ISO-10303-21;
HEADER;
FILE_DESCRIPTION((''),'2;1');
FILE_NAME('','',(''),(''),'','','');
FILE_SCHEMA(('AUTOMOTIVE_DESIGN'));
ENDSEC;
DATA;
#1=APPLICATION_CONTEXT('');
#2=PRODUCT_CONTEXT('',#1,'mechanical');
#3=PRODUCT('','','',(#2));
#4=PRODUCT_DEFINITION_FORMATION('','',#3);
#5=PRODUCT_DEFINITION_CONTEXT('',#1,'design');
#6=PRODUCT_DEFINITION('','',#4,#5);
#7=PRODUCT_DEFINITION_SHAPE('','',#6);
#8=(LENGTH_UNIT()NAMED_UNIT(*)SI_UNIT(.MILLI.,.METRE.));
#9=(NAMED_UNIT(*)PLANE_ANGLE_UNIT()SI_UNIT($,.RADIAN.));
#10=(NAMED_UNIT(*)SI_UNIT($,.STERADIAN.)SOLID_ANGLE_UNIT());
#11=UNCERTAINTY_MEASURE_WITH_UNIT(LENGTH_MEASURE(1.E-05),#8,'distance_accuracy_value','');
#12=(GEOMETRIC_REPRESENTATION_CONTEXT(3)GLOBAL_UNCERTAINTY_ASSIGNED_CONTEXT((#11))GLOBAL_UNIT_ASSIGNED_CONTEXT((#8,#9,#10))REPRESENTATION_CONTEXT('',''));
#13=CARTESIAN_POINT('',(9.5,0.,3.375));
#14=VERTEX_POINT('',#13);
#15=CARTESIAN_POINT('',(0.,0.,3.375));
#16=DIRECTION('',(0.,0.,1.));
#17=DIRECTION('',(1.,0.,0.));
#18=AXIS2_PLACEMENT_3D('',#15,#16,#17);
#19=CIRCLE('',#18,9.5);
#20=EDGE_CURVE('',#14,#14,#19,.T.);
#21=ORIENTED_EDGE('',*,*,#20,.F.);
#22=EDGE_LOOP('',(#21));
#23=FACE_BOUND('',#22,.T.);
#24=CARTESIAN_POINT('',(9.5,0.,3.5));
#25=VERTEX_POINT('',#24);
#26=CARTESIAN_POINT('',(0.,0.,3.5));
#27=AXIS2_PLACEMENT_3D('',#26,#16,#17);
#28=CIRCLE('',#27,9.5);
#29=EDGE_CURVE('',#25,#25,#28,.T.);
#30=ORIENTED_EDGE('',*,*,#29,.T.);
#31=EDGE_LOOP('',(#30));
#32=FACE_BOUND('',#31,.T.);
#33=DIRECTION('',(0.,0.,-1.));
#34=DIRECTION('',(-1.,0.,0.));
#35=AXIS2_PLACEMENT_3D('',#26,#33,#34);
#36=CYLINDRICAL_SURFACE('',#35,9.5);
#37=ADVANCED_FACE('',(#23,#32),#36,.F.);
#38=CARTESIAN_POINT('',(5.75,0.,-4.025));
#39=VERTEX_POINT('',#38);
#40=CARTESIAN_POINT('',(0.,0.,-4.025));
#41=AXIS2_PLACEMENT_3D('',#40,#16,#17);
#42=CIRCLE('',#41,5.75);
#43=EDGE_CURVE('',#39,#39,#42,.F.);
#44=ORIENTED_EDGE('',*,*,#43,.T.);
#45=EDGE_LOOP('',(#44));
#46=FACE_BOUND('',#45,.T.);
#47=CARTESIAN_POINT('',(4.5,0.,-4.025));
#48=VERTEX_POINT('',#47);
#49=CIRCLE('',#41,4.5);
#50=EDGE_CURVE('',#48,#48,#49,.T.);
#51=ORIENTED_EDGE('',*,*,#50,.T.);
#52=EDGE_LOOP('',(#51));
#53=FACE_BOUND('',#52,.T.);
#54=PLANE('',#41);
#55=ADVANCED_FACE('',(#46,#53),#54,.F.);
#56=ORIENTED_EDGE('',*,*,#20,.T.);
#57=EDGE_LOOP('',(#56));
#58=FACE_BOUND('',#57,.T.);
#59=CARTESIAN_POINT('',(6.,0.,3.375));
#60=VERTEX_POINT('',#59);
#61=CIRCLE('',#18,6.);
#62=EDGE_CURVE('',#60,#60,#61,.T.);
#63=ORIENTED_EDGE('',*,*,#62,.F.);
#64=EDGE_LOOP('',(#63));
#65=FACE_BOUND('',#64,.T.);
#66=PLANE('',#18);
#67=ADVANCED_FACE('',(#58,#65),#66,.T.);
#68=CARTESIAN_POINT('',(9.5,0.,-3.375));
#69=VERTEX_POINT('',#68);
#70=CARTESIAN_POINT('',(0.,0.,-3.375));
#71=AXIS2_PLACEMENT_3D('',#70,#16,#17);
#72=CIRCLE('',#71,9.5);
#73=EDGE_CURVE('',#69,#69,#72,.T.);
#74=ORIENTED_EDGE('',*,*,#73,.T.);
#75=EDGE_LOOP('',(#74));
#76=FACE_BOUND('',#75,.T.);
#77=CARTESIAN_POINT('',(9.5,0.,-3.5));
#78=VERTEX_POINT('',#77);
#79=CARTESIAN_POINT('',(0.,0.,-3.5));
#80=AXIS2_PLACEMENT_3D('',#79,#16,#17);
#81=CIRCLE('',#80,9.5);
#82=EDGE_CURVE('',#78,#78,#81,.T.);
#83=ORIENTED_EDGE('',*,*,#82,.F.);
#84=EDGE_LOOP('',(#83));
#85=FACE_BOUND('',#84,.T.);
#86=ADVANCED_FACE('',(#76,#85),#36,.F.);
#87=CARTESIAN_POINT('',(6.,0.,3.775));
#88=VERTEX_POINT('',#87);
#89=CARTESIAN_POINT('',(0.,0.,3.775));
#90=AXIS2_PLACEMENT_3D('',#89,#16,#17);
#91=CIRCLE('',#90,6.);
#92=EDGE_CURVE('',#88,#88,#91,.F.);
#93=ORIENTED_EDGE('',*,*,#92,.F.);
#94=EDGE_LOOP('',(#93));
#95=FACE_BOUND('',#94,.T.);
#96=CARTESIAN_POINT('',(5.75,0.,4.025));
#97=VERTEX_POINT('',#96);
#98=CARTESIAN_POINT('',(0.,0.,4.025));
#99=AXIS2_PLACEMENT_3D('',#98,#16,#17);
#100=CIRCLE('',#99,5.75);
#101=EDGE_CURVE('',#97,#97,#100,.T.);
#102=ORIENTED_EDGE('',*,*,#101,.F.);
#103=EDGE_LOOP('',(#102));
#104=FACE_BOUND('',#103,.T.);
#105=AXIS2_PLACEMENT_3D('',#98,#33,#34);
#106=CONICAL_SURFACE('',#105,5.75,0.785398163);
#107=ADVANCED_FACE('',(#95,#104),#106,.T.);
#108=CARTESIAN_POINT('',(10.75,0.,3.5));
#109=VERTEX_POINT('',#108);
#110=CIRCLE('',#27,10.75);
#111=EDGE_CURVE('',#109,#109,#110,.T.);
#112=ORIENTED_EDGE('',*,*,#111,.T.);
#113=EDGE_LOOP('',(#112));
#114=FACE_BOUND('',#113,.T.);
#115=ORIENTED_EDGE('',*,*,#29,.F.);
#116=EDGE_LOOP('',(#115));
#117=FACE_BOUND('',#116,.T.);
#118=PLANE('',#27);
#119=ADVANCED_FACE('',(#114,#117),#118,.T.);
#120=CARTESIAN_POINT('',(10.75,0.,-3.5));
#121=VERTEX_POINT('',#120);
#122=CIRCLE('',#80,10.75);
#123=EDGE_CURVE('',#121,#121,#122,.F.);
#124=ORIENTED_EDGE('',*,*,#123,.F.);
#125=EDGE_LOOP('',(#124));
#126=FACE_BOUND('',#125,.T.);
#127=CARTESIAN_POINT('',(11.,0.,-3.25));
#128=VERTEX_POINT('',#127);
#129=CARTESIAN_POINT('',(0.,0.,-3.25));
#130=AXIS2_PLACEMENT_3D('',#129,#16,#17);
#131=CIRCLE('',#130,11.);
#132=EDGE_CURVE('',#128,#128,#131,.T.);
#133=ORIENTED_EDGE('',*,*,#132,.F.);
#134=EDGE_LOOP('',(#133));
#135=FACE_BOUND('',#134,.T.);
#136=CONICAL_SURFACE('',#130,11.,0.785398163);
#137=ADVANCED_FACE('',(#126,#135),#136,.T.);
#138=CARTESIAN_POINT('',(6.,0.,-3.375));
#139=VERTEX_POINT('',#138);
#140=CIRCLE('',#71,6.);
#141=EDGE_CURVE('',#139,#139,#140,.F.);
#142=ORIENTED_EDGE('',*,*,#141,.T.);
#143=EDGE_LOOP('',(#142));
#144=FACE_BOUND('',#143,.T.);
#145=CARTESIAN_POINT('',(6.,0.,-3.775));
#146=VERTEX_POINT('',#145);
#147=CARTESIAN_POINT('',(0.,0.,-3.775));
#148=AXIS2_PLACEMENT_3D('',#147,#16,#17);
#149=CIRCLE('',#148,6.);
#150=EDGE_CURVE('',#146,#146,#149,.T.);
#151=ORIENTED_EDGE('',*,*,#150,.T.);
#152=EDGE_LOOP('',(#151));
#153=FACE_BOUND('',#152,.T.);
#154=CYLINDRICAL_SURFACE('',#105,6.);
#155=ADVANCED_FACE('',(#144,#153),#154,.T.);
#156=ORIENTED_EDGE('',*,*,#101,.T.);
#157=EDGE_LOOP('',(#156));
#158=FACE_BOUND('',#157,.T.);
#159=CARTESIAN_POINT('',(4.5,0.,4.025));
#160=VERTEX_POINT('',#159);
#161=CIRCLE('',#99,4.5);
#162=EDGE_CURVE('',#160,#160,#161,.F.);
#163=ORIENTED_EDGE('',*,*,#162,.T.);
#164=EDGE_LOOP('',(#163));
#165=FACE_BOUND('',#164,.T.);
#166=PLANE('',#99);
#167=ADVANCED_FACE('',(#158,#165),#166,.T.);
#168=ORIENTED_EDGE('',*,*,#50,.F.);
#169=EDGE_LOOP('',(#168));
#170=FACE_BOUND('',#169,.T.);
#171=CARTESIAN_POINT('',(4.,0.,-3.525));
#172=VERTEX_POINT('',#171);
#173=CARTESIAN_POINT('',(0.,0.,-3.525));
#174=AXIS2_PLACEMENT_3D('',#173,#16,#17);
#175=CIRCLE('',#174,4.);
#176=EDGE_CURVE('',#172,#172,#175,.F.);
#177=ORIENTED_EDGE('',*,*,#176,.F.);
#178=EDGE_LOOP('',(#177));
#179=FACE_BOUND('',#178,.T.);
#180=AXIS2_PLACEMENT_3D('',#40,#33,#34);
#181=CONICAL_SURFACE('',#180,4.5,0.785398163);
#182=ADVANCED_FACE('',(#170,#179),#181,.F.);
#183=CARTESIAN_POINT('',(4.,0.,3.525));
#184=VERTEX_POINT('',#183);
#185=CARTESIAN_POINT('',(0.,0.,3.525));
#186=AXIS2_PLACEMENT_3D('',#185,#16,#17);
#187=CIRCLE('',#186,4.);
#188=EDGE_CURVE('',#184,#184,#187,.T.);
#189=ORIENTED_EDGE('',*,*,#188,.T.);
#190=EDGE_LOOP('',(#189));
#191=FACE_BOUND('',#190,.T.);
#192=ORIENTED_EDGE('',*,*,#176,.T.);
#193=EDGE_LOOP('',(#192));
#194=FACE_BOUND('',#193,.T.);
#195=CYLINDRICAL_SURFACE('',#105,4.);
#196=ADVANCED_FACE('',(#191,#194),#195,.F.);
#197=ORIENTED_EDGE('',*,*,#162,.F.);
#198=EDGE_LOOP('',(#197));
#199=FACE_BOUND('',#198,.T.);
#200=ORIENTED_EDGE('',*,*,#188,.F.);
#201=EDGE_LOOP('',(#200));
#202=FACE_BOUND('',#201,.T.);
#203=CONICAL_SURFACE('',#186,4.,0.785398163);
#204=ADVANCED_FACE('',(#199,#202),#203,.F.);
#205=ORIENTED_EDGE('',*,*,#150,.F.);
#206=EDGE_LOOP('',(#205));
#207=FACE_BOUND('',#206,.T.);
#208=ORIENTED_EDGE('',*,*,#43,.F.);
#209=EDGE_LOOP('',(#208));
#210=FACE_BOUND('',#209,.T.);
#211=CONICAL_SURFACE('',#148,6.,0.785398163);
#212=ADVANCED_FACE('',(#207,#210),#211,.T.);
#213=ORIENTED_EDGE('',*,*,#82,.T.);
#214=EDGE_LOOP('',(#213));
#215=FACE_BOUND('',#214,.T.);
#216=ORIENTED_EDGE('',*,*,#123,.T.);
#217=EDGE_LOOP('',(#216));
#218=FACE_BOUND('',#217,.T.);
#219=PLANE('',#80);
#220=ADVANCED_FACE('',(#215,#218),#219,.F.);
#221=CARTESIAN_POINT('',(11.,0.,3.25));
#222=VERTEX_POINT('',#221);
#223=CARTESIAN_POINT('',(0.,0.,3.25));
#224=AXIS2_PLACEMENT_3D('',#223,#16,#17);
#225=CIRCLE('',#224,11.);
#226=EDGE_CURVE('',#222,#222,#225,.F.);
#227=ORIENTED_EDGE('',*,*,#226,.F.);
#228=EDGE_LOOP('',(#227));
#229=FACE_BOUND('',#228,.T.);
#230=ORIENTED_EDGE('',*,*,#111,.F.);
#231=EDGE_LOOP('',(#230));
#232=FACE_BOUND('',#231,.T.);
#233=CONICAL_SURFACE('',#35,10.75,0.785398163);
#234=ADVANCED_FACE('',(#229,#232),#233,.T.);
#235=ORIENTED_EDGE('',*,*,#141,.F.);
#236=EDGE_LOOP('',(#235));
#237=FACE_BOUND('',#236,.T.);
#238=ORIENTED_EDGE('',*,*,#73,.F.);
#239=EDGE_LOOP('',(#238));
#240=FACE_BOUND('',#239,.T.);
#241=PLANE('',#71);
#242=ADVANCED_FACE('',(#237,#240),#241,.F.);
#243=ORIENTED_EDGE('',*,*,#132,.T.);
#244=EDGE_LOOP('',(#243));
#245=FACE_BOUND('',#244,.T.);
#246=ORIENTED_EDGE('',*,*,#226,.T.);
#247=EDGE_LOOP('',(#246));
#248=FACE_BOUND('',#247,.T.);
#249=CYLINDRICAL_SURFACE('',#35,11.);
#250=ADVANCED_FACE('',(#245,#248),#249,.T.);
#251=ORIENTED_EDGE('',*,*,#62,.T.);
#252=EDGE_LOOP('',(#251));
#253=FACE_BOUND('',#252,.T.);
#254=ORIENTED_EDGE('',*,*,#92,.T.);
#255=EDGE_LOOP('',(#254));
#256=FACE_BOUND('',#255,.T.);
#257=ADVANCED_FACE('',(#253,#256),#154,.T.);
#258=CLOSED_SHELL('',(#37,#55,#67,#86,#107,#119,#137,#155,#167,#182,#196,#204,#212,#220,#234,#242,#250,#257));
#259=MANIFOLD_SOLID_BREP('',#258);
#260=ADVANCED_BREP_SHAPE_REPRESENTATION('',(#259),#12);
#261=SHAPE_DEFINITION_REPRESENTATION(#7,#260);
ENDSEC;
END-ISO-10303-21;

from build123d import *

# Parameters (mm, degrees)
SKETCH1_R           = 11
SKETCH1_R_2         = 9.5
BOSS_EXTRUDE1_DEPTH = 3.5
SKETCH1_4_R         = 6
SKETCH1_4_R_2       = 4
BOSS_EXTRUDE2_DEPTH = 4.025
SKETCH1_5_R         = 9.5
SKETCH1_5_R_2       = 6
BOSS_EXTRUDE3_DEPTH = 3.375
CHAMFER1_SIZE       = 0.5
CHAMFER2_SIZE       = 0.25


with BuildPart() as part:
    # Sketch1 → Boss-Extrude1 (new body, symmetric)
    with BuildSketch(Plane.XY):
        Circle(SKETCH1_R)
        Circle(SKETCH1_R_2, mode=Mode.SUBTRACT)
    extrude(amount=BOSS_EXTRUDE1_DEPTH, both=True)



with BuildPart() as body_2:
    # Sketch1<4> → Boss-Extrude2 (new body, symmetric)
    with BuildSketch(Plane.XY):
        Circle(SKETCH1_4_R)
        Circle(SKETCH1_4_R_2, mode=Mode.SUBTRACT)
    extrude(amount=BOSS_EXTRUDE2_DEPTH, both=True)


with BuildPart() as part_1:
    add(part.part)

    add(body_2.part)  # Boss-Extrude3 merges body 2
    # Sketch1<5> → Boss-Extrude3 (add, symmetric)
    with BuildSketch(Plane.XY):
        Circle(SKETCH1_5_R)
        Circle(SKETCH1_5_R_2, mode=Mode.SUBTRACT)
    extrude(amount=BOSS_EXTRUDE3_DEPTH, both=True)

    # Chamfer1
    chamfer1_edges = [part_1.edges().sort_by_distance(p)[0] for p in [
        (-4, 0, 4.025),
        (-4, 0, -4.025),
    ]]
    chamfer(chamfer1_edges, length=CHAMFER1_SIZE)

    # Chamfer2
    chamfer2_edges = [part_1.edges().sort_by_distance(p)[0] for p in [
        (-11, 0, 3.5),
        (-6, 0, -4.025),
        (-6, 0, 4.025),
        (-11, 0, -3.5),
    ]]
    chamfer(chamfer2_edges, length=CHAMFER2_SIZE)


solid = part_1.part
